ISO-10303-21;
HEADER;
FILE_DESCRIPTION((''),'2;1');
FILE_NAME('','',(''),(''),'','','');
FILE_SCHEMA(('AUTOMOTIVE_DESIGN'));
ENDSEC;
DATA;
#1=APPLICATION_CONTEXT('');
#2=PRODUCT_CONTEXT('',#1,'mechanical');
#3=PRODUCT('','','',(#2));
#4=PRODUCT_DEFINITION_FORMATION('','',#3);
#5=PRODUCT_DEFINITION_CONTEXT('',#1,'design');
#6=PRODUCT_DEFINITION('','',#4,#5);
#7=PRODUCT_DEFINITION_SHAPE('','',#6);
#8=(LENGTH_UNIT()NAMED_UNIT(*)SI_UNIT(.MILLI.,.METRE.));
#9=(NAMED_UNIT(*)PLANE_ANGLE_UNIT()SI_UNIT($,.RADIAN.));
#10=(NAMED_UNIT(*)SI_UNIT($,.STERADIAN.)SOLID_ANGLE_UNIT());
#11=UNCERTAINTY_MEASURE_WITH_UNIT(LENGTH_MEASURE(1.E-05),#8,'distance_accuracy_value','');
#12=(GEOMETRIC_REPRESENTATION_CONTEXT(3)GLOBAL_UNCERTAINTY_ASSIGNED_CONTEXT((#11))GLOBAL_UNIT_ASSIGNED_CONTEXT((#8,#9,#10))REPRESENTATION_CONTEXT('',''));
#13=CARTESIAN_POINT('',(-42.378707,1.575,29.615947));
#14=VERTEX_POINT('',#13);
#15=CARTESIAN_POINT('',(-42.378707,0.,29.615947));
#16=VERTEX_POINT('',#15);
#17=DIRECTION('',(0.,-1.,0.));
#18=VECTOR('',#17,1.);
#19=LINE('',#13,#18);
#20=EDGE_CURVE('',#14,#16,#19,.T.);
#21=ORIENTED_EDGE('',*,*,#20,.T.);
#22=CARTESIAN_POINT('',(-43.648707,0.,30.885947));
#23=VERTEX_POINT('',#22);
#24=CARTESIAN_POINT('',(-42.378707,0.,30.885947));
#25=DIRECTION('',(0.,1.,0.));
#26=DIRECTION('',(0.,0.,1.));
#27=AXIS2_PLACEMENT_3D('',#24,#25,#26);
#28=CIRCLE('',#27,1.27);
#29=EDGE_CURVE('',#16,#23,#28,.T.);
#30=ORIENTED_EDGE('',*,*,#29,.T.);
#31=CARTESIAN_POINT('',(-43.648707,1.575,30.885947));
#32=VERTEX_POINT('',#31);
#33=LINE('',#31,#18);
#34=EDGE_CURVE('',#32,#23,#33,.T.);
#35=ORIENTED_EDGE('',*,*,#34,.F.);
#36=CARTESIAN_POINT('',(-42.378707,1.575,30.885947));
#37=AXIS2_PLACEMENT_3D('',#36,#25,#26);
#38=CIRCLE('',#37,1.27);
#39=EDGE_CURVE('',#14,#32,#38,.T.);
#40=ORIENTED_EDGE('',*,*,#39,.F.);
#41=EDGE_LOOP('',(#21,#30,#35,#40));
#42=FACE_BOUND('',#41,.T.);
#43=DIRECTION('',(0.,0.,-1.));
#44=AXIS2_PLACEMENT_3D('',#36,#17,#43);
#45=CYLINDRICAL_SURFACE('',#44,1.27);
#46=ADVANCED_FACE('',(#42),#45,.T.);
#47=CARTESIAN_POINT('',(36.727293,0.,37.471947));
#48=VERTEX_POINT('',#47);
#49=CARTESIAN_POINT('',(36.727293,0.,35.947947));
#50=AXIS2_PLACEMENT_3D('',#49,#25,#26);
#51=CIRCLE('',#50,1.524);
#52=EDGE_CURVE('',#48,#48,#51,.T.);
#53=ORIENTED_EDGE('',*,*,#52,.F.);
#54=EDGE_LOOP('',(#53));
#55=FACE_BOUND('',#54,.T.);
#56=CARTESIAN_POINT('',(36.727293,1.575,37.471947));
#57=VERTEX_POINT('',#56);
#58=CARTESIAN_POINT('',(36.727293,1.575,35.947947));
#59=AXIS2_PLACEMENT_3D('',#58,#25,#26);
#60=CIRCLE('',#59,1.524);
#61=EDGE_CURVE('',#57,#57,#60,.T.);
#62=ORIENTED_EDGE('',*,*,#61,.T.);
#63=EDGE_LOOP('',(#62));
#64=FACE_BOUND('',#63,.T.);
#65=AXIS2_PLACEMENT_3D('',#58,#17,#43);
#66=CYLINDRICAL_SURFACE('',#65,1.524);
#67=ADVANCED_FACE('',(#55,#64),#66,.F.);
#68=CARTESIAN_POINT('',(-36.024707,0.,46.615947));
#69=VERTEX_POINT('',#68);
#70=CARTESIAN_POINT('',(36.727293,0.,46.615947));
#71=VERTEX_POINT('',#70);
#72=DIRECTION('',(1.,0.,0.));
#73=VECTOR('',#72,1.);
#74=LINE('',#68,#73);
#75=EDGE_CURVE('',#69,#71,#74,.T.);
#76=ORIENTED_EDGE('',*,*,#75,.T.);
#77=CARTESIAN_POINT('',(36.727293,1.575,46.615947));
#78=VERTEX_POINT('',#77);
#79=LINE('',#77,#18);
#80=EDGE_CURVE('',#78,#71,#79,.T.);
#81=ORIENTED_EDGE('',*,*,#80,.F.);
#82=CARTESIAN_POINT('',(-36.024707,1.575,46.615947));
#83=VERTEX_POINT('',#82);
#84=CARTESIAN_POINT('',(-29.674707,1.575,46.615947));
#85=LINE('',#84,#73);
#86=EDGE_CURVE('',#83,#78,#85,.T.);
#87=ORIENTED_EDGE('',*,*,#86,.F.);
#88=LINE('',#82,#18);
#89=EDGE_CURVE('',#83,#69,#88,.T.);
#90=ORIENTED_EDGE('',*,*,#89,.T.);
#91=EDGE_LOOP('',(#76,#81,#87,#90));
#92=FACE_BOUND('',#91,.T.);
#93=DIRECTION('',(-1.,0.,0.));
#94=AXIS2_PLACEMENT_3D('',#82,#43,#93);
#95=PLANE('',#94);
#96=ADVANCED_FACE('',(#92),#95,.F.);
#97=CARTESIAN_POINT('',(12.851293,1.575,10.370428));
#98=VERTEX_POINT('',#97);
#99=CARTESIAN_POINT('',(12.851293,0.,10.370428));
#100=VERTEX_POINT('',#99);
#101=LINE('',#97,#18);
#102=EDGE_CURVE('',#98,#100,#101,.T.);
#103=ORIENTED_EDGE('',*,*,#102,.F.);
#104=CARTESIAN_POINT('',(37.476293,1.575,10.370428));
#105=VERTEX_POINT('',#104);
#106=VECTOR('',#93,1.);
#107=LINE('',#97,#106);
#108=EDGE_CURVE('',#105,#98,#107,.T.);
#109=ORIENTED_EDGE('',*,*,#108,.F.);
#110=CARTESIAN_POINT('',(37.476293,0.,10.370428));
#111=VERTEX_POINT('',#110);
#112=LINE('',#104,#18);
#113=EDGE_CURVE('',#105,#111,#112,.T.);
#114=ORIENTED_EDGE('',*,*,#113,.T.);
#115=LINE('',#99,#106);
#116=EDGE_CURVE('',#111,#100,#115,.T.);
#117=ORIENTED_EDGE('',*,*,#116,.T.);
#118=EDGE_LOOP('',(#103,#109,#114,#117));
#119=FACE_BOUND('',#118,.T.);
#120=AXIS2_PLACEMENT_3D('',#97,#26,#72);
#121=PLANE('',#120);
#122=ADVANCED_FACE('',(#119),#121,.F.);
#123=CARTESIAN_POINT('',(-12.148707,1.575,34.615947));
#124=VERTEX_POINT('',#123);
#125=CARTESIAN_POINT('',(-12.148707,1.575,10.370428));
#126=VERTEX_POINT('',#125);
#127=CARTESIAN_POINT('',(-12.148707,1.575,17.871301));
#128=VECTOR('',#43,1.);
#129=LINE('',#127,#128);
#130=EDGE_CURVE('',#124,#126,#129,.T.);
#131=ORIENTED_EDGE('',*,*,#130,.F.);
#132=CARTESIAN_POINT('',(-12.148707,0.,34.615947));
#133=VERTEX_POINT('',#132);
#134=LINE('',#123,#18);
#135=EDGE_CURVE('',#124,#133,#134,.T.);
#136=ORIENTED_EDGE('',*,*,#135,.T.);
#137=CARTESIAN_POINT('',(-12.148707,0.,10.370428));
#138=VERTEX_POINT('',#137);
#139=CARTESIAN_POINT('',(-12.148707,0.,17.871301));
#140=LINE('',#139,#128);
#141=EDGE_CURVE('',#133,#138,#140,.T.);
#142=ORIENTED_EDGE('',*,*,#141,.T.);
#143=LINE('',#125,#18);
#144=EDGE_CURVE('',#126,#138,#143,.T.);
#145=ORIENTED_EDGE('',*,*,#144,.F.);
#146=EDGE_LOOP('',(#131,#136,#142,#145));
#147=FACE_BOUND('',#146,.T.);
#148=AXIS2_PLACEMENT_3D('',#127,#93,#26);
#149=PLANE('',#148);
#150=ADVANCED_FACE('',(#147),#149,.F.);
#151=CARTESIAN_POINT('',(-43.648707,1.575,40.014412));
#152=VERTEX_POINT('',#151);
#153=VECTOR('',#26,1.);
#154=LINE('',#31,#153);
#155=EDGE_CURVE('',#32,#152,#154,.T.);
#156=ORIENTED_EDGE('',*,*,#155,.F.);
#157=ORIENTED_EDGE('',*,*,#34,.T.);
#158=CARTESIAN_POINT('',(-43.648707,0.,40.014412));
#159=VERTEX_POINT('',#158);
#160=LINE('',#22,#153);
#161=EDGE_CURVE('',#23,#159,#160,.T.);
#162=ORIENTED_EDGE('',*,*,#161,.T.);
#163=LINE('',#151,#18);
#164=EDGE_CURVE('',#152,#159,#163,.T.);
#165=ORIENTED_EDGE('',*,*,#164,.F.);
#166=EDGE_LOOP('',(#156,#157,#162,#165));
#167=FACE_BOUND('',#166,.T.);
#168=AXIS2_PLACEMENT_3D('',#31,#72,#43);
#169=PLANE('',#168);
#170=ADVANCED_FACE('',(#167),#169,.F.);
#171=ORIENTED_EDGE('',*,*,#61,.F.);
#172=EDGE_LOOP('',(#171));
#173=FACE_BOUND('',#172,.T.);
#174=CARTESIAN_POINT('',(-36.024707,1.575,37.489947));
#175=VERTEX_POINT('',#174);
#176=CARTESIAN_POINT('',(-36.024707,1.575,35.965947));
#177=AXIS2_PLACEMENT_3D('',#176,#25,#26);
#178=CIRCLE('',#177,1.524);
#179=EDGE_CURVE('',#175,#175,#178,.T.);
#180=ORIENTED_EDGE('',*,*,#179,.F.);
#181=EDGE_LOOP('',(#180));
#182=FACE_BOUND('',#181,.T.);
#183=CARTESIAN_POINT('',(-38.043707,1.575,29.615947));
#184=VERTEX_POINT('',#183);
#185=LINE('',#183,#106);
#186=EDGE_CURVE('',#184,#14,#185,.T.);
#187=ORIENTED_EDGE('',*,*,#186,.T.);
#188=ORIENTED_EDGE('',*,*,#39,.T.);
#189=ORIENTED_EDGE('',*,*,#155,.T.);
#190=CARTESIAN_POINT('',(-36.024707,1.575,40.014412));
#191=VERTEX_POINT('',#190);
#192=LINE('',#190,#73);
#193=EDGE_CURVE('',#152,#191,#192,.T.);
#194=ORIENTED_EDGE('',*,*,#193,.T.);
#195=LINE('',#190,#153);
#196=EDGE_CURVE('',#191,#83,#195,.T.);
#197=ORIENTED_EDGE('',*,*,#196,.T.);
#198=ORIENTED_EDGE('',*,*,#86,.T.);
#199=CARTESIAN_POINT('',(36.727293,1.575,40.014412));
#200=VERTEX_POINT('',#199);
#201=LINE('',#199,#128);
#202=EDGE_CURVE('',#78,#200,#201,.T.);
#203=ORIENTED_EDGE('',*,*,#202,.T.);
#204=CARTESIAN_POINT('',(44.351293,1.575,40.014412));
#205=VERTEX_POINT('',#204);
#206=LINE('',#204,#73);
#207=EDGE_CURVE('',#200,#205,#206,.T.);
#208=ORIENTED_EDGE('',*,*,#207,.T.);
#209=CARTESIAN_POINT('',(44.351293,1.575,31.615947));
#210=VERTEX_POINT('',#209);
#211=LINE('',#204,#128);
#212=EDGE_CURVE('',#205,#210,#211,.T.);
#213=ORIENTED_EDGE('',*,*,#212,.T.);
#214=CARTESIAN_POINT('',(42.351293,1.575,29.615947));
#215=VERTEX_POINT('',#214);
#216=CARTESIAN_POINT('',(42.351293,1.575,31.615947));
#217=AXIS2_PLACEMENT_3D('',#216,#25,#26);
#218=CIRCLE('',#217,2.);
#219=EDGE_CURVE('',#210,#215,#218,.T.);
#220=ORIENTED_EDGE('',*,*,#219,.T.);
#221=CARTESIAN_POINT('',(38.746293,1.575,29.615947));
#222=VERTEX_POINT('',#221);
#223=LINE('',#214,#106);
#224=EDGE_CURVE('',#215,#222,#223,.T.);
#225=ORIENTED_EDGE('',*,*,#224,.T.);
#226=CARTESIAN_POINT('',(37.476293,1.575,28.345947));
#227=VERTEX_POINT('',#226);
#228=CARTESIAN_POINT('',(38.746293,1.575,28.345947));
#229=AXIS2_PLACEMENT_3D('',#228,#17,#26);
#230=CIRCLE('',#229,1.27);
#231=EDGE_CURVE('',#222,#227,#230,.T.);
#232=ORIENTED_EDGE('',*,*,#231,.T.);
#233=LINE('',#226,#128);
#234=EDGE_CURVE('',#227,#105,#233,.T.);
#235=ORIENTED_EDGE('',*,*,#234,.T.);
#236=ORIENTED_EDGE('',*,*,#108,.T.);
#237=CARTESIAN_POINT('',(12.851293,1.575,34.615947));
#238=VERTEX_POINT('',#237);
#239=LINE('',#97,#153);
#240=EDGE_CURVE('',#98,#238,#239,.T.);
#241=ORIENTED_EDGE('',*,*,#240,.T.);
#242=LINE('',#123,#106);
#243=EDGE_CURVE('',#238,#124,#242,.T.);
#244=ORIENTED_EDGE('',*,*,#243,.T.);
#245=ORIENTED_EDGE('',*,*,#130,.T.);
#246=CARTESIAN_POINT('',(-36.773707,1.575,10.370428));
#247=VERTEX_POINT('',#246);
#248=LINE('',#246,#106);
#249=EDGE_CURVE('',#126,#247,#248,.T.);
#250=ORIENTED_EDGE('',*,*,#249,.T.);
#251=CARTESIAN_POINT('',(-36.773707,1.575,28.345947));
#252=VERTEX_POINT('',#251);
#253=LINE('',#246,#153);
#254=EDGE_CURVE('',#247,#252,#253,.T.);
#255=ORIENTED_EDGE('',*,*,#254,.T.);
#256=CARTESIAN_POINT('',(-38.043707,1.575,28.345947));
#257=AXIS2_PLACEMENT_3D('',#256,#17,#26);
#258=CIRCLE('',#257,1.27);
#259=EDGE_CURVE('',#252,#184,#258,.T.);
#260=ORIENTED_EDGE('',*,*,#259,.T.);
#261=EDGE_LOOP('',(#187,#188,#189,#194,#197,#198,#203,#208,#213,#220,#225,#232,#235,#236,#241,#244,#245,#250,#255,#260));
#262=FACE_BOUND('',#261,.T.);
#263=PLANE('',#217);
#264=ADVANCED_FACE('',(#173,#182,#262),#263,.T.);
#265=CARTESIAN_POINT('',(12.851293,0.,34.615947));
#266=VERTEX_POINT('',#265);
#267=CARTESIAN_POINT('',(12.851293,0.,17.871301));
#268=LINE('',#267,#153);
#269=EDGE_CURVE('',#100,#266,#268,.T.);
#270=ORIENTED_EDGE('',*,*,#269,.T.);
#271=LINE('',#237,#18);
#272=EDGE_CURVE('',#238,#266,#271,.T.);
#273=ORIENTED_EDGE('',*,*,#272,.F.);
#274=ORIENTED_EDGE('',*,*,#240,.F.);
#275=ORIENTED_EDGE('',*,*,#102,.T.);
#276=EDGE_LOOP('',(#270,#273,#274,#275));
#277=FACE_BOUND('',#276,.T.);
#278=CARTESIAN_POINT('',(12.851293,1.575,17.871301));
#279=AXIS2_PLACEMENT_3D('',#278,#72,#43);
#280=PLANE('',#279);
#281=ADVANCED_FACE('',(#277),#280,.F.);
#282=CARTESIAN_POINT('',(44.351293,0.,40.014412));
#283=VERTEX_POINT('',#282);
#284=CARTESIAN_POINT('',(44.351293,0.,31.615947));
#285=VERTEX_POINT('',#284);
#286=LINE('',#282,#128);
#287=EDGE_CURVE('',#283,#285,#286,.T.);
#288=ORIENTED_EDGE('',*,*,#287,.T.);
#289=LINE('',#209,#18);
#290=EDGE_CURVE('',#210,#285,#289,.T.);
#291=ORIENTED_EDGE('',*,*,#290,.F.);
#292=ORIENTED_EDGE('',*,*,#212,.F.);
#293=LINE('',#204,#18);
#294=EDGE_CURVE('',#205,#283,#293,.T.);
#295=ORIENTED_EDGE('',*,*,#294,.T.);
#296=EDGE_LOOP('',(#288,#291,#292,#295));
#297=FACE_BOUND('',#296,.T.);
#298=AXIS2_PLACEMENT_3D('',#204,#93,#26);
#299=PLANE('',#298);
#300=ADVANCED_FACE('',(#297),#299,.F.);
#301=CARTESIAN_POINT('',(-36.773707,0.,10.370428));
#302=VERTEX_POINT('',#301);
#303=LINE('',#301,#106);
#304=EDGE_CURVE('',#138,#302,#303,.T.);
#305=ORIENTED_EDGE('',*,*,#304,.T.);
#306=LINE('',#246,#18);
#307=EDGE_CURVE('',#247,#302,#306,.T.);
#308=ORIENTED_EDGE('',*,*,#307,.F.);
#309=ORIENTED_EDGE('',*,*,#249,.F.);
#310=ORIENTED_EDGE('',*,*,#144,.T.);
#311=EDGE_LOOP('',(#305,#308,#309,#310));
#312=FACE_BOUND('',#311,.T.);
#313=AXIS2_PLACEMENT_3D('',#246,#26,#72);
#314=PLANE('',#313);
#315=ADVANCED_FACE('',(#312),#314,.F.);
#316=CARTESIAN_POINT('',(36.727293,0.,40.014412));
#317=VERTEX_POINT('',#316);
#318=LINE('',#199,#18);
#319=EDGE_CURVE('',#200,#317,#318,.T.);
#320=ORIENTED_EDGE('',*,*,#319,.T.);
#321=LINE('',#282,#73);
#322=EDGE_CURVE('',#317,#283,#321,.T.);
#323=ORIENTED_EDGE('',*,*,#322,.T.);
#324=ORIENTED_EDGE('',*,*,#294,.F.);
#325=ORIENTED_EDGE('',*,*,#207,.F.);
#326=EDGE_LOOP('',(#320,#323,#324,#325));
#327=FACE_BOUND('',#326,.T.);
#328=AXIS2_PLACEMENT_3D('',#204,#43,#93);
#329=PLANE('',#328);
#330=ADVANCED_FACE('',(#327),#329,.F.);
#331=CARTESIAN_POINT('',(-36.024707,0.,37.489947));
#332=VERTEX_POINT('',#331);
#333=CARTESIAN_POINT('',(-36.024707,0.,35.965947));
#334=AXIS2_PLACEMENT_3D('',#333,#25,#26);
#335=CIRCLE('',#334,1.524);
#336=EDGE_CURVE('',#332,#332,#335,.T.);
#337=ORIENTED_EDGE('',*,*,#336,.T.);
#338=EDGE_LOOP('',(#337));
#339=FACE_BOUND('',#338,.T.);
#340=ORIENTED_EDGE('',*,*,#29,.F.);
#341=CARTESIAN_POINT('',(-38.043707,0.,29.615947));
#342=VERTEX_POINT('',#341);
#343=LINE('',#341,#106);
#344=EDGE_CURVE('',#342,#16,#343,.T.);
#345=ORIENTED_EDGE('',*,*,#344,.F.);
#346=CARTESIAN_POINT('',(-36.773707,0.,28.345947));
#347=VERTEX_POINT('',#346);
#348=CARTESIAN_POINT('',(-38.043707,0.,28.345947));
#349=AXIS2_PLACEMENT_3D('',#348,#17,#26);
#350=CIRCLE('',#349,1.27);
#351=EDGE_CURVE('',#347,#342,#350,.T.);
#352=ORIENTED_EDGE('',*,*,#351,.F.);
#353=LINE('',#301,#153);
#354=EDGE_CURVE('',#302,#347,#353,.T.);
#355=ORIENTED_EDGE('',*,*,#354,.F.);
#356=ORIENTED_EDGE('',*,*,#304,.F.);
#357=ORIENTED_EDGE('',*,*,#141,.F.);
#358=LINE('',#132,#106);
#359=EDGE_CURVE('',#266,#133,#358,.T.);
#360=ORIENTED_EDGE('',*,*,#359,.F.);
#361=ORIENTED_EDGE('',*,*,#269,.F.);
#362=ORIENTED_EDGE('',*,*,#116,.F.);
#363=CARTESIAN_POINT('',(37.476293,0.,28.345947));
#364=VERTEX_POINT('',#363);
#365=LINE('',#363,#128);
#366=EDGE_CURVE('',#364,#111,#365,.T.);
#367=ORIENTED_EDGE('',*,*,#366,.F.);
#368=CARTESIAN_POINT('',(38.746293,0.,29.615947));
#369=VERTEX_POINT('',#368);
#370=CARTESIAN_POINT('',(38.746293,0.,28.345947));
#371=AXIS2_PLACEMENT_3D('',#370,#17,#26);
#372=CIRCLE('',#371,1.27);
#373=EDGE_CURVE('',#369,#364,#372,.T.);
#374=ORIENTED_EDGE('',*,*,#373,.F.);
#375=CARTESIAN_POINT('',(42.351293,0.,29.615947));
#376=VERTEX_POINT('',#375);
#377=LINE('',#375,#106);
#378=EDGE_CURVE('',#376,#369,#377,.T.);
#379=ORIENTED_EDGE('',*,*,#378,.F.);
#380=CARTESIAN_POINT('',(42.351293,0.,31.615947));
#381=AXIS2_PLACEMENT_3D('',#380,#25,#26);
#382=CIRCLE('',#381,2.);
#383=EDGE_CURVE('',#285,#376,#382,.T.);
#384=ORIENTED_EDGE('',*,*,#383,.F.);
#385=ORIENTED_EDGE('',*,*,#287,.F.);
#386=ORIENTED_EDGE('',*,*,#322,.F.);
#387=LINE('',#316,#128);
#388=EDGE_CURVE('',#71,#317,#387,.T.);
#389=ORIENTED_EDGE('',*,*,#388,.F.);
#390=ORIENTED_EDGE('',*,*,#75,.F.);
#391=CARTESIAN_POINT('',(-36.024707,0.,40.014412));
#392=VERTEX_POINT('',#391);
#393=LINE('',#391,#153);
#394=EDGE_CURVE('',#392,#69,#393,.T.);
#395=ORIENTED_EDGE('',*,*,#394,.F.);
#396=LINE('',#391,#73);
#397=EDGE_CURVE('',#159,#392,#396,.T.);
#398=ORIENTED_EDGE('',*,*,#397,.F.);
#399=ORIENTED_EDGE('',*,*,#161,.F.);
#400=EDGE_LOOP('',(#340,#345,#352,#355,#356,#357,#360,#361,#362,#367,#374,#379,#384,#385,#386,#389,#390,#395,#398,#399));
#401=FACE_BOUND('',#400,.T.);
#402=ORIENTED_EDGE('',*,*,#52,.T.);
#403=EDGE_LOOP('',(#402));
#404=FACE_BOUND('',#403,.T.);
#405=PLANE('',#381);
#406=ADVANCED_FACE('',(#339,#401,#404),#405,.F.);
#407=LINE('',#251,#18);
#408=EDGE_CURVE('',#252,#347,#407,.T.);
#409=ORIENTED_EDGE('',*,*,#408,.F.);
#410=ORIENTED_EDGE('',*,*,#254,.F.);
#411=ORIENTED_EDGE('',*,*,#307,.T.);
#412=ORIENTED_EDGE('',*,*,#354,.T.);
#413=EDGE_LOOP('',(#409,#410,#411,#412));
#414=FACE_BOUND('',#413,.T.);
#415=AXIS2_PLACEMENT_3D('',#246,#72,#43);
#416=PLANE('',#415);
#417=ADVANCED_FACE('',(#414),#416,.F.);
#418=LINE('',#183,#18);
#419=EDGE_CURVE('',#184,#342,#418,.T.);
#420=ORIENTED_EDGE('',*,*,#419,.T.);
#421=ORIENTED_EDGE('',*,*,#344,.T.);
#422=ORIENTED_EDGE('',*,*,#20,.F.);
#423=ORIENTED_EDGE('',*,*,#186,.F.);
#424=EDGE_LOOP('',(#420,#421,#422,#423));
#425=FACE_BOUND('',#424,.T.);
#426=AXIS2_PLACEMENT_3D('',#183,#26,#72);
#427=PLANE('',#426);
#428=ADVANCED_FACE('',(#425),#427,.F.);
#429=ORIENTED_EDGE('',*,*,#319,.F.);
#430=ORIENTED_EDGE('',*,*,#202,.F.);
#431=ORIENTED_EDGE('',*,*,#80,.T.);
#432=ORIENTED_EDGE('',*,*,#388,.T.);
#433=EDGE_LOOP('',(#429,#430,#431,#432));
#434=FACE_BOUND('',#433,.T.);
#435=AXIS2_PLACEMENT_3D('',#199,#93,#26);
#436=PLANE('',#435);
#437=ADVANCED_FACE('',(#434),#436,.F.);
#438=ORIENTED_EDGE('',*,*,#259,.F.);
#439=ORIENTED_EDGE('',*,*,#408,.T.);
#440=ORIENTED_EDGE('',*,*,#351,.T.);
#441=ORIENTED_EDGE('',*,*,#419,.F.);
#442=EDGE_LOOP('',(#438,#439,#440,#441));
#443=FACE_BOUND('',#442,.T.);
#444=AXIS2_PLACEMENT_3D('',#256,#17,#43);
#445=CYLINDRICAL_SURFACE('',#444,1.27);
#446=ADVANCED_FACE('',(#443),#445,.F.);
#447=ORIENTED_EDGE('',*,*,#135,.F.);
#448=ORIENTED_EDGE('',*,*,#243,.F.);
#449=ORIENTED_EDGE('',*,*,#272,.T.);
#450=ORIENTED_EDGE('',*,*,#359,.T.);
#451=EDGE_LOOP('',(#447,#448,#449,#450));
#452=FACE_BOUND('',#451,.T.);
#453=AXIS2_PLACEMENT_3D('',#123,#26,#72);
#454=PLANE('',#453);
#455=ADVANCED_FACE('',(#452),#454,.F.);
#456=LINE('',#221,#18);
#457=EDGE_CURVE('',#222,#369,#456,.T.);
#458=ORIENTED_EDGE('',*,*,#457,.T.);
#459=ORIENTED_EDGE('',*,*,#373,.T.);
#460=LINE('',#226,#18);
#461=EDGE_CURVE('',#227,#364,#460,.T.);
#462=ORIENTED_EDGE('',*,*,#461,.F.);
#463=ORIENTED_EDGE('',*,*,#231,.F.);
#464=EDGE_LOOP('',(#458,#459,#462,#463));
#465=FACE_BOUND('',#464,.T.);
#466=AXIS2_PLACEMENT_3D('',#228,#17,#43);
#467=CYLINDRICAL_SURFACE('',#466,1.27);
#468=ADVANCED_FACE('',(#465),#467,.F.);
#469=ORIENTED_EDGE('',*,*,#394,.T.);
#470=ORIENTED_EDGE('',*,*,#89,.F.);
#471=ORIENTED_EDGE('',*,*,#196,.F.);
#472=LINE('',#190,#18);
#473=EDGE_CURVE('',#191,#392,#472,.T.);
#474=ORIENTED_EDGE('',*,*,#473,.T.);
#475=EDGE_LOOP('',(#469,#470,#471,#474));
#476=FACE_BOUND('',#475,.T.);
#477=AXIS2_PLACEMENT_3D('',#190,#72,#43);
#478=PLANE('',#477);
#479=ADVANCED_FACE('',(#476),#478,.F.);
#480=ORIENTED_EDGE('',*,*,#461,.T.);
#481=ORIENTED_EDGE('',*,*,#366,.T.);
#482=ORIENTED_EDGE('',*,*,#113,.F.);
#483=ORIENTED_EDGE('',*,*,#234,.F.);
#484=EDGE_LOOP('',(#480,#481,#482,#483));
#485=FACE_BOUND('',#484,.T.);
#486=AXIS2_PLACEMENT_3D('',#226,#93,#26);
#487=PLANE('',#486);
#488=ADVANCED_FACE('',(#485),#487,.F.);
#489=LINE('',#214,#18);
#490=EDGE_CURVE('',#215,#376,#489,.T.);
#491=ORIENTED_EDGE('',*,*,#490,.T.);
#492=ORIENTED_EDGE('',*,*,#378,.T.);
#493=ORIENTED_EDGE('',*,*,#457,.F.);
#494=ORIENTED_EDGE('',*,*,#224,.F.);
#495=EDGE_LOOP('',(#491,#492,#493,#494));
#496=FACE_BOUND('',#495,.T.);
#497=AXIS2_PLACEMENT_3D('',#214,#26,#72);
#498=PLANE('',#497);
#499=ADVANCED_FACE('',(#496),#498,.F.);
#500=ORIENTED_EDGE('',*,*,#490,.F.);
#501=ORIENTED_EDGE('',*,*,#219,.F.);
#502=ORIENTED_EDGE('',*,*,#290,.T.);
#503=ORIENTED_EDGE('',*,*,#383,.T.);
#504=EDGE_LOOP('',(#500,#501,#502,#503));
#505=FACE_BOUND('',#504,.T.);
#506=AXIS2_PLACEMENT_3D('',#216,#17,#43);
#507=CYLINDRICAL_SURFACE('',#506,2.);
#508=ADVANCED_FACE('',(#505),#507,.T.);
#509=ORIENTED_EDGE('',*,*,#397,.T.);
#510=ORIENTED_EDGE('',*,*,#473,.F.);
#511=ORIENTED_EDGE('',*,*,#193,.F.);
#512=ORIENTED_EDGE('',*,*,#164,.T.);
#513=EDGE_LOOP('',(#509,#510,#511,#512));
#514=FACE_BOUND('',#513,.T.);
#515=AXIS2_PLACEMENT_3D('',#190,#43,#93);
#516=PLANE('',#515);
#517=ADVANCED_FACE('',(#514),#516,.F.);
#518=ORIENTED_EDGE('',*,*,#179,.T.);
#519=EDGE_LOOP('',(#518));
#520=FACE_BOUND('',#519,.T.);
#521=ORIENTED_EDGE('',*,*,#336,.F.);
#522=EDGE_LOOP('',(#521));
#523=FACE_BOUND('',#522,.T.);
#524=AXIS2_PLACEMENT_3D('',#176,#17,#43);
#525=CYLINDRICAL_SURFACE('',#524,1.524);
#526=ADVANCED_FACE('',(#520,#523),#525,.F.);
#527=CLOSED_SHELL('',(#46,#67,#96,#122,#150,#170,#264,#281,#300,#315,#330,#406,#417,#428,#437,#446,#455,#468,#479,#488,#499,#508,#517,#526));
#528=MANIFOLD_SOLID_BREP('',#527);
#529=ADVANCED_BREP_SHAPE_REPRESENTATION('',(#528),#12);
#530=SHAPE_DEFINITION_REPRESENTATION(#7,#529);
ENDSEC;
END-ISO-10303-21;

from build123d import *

# Parameters (mm, degrees)
SKETCH1_R           = 1.524000008
SKETCH1_R_2         = 1.523999992
BOSS_EXTRUDE1_DEPTH = 1.575


with BuildPart() as part:
    # Sketch1 → Boss-Extrude1 (new body)
    with BuildSketch(Plane(origin=(0, 0, 0), x_dir=(1, 0, 0), z_dir=(0, 1, 0))):
        with BuildLine():
            Line((44.351293307, -40.014412246), (36.727293315, -40.014412246))
            Line((36.727293315, -40.014412246), (36.727293315, -46.615946892))
            Line((36.727293315, -46.615946892), (30.377293307, -46.615946892))
            Line((30.377293307, -46.615946892), (-29.674706693, -46.615946892))
            Line((-29.674706693, -46.615946892), (-36.024706701, -46.615946892))
            Line((-36.024706701, -46.615946892), (-36.024706701, -40.014412246))
            Line((-36.024706701, -40.014412246), (-43.648706693, -40.014412246))
            Line((-43.648706693, -40.014412246), (-43.648706693, -30.885946892))
            ThreePointArc((-43.648706693, -30.885946892), (-43.276732305, -29.98792128), (-42.378706693, -29.615946892))
            Line((-42.378706693, -29.615946892), (-38.043706693, -29.615946892))
            ThreePointArc((-38.043706693, -29.615946892), (-37.145681081, -29.243972504), (-36.773706693, -28.345946892))
            Line((-36.773706693, -28.345946892), (-36.773706693, -10.370428445))
            Line((-36.773706693, -10.370428445), (-12.148706693, -10.370428445))
            Line((-12.148706693, -10.370428445), (-12.148706693, -17.871301308))
            Line((-12.148706693, -17.871301308), (-12.148706693, -34.615947016))
            Line((-12.148706693, -34.615947016), (12.851293307, -34.615947016))
            Line((12.851293307, -34.615947016), (12.851293307, -17.871301308))
            Line((12.851293307, -17.871301308), (12.851293307, -10.370428445))
            Line((12.851293307, -10.370428445), (37.476293307, -10.370428445))
            Line((37.476293307, -10.370428445), (37.476293307, -28.345946892))
            ThreePointArc((37.476293307, -28.345946892), (37.848267695, -29.243972504), (38.746293307, -29.615946892))
            Line((38.746293307, -29.615946892), (42.351293307, -29.615946892))
            ThreePointArc((42.351293307, -29.615946892), (43.76550687, -30.20173333), (44.351293307, -31.615946892))
            Line((44.351293307, -31.615946892), (44.351293307, -40.014412246))
        make_face()
        with Locations(Location((-36.024706701, -35.965946892, 0), (0, 0, 270))):
            Circle(SKETCH1_R, mode=Mode.SUBTRACT)
        with Locations(Location((36.727293315, -35.947946892, 0), (0, 0, 270))):
            Circle(SKETCH1_R_2, mode=Mode.SUBTRACT)
    extrude(amount=BOSS_EXTRUDE1_DEPTH)


solid = part.part
